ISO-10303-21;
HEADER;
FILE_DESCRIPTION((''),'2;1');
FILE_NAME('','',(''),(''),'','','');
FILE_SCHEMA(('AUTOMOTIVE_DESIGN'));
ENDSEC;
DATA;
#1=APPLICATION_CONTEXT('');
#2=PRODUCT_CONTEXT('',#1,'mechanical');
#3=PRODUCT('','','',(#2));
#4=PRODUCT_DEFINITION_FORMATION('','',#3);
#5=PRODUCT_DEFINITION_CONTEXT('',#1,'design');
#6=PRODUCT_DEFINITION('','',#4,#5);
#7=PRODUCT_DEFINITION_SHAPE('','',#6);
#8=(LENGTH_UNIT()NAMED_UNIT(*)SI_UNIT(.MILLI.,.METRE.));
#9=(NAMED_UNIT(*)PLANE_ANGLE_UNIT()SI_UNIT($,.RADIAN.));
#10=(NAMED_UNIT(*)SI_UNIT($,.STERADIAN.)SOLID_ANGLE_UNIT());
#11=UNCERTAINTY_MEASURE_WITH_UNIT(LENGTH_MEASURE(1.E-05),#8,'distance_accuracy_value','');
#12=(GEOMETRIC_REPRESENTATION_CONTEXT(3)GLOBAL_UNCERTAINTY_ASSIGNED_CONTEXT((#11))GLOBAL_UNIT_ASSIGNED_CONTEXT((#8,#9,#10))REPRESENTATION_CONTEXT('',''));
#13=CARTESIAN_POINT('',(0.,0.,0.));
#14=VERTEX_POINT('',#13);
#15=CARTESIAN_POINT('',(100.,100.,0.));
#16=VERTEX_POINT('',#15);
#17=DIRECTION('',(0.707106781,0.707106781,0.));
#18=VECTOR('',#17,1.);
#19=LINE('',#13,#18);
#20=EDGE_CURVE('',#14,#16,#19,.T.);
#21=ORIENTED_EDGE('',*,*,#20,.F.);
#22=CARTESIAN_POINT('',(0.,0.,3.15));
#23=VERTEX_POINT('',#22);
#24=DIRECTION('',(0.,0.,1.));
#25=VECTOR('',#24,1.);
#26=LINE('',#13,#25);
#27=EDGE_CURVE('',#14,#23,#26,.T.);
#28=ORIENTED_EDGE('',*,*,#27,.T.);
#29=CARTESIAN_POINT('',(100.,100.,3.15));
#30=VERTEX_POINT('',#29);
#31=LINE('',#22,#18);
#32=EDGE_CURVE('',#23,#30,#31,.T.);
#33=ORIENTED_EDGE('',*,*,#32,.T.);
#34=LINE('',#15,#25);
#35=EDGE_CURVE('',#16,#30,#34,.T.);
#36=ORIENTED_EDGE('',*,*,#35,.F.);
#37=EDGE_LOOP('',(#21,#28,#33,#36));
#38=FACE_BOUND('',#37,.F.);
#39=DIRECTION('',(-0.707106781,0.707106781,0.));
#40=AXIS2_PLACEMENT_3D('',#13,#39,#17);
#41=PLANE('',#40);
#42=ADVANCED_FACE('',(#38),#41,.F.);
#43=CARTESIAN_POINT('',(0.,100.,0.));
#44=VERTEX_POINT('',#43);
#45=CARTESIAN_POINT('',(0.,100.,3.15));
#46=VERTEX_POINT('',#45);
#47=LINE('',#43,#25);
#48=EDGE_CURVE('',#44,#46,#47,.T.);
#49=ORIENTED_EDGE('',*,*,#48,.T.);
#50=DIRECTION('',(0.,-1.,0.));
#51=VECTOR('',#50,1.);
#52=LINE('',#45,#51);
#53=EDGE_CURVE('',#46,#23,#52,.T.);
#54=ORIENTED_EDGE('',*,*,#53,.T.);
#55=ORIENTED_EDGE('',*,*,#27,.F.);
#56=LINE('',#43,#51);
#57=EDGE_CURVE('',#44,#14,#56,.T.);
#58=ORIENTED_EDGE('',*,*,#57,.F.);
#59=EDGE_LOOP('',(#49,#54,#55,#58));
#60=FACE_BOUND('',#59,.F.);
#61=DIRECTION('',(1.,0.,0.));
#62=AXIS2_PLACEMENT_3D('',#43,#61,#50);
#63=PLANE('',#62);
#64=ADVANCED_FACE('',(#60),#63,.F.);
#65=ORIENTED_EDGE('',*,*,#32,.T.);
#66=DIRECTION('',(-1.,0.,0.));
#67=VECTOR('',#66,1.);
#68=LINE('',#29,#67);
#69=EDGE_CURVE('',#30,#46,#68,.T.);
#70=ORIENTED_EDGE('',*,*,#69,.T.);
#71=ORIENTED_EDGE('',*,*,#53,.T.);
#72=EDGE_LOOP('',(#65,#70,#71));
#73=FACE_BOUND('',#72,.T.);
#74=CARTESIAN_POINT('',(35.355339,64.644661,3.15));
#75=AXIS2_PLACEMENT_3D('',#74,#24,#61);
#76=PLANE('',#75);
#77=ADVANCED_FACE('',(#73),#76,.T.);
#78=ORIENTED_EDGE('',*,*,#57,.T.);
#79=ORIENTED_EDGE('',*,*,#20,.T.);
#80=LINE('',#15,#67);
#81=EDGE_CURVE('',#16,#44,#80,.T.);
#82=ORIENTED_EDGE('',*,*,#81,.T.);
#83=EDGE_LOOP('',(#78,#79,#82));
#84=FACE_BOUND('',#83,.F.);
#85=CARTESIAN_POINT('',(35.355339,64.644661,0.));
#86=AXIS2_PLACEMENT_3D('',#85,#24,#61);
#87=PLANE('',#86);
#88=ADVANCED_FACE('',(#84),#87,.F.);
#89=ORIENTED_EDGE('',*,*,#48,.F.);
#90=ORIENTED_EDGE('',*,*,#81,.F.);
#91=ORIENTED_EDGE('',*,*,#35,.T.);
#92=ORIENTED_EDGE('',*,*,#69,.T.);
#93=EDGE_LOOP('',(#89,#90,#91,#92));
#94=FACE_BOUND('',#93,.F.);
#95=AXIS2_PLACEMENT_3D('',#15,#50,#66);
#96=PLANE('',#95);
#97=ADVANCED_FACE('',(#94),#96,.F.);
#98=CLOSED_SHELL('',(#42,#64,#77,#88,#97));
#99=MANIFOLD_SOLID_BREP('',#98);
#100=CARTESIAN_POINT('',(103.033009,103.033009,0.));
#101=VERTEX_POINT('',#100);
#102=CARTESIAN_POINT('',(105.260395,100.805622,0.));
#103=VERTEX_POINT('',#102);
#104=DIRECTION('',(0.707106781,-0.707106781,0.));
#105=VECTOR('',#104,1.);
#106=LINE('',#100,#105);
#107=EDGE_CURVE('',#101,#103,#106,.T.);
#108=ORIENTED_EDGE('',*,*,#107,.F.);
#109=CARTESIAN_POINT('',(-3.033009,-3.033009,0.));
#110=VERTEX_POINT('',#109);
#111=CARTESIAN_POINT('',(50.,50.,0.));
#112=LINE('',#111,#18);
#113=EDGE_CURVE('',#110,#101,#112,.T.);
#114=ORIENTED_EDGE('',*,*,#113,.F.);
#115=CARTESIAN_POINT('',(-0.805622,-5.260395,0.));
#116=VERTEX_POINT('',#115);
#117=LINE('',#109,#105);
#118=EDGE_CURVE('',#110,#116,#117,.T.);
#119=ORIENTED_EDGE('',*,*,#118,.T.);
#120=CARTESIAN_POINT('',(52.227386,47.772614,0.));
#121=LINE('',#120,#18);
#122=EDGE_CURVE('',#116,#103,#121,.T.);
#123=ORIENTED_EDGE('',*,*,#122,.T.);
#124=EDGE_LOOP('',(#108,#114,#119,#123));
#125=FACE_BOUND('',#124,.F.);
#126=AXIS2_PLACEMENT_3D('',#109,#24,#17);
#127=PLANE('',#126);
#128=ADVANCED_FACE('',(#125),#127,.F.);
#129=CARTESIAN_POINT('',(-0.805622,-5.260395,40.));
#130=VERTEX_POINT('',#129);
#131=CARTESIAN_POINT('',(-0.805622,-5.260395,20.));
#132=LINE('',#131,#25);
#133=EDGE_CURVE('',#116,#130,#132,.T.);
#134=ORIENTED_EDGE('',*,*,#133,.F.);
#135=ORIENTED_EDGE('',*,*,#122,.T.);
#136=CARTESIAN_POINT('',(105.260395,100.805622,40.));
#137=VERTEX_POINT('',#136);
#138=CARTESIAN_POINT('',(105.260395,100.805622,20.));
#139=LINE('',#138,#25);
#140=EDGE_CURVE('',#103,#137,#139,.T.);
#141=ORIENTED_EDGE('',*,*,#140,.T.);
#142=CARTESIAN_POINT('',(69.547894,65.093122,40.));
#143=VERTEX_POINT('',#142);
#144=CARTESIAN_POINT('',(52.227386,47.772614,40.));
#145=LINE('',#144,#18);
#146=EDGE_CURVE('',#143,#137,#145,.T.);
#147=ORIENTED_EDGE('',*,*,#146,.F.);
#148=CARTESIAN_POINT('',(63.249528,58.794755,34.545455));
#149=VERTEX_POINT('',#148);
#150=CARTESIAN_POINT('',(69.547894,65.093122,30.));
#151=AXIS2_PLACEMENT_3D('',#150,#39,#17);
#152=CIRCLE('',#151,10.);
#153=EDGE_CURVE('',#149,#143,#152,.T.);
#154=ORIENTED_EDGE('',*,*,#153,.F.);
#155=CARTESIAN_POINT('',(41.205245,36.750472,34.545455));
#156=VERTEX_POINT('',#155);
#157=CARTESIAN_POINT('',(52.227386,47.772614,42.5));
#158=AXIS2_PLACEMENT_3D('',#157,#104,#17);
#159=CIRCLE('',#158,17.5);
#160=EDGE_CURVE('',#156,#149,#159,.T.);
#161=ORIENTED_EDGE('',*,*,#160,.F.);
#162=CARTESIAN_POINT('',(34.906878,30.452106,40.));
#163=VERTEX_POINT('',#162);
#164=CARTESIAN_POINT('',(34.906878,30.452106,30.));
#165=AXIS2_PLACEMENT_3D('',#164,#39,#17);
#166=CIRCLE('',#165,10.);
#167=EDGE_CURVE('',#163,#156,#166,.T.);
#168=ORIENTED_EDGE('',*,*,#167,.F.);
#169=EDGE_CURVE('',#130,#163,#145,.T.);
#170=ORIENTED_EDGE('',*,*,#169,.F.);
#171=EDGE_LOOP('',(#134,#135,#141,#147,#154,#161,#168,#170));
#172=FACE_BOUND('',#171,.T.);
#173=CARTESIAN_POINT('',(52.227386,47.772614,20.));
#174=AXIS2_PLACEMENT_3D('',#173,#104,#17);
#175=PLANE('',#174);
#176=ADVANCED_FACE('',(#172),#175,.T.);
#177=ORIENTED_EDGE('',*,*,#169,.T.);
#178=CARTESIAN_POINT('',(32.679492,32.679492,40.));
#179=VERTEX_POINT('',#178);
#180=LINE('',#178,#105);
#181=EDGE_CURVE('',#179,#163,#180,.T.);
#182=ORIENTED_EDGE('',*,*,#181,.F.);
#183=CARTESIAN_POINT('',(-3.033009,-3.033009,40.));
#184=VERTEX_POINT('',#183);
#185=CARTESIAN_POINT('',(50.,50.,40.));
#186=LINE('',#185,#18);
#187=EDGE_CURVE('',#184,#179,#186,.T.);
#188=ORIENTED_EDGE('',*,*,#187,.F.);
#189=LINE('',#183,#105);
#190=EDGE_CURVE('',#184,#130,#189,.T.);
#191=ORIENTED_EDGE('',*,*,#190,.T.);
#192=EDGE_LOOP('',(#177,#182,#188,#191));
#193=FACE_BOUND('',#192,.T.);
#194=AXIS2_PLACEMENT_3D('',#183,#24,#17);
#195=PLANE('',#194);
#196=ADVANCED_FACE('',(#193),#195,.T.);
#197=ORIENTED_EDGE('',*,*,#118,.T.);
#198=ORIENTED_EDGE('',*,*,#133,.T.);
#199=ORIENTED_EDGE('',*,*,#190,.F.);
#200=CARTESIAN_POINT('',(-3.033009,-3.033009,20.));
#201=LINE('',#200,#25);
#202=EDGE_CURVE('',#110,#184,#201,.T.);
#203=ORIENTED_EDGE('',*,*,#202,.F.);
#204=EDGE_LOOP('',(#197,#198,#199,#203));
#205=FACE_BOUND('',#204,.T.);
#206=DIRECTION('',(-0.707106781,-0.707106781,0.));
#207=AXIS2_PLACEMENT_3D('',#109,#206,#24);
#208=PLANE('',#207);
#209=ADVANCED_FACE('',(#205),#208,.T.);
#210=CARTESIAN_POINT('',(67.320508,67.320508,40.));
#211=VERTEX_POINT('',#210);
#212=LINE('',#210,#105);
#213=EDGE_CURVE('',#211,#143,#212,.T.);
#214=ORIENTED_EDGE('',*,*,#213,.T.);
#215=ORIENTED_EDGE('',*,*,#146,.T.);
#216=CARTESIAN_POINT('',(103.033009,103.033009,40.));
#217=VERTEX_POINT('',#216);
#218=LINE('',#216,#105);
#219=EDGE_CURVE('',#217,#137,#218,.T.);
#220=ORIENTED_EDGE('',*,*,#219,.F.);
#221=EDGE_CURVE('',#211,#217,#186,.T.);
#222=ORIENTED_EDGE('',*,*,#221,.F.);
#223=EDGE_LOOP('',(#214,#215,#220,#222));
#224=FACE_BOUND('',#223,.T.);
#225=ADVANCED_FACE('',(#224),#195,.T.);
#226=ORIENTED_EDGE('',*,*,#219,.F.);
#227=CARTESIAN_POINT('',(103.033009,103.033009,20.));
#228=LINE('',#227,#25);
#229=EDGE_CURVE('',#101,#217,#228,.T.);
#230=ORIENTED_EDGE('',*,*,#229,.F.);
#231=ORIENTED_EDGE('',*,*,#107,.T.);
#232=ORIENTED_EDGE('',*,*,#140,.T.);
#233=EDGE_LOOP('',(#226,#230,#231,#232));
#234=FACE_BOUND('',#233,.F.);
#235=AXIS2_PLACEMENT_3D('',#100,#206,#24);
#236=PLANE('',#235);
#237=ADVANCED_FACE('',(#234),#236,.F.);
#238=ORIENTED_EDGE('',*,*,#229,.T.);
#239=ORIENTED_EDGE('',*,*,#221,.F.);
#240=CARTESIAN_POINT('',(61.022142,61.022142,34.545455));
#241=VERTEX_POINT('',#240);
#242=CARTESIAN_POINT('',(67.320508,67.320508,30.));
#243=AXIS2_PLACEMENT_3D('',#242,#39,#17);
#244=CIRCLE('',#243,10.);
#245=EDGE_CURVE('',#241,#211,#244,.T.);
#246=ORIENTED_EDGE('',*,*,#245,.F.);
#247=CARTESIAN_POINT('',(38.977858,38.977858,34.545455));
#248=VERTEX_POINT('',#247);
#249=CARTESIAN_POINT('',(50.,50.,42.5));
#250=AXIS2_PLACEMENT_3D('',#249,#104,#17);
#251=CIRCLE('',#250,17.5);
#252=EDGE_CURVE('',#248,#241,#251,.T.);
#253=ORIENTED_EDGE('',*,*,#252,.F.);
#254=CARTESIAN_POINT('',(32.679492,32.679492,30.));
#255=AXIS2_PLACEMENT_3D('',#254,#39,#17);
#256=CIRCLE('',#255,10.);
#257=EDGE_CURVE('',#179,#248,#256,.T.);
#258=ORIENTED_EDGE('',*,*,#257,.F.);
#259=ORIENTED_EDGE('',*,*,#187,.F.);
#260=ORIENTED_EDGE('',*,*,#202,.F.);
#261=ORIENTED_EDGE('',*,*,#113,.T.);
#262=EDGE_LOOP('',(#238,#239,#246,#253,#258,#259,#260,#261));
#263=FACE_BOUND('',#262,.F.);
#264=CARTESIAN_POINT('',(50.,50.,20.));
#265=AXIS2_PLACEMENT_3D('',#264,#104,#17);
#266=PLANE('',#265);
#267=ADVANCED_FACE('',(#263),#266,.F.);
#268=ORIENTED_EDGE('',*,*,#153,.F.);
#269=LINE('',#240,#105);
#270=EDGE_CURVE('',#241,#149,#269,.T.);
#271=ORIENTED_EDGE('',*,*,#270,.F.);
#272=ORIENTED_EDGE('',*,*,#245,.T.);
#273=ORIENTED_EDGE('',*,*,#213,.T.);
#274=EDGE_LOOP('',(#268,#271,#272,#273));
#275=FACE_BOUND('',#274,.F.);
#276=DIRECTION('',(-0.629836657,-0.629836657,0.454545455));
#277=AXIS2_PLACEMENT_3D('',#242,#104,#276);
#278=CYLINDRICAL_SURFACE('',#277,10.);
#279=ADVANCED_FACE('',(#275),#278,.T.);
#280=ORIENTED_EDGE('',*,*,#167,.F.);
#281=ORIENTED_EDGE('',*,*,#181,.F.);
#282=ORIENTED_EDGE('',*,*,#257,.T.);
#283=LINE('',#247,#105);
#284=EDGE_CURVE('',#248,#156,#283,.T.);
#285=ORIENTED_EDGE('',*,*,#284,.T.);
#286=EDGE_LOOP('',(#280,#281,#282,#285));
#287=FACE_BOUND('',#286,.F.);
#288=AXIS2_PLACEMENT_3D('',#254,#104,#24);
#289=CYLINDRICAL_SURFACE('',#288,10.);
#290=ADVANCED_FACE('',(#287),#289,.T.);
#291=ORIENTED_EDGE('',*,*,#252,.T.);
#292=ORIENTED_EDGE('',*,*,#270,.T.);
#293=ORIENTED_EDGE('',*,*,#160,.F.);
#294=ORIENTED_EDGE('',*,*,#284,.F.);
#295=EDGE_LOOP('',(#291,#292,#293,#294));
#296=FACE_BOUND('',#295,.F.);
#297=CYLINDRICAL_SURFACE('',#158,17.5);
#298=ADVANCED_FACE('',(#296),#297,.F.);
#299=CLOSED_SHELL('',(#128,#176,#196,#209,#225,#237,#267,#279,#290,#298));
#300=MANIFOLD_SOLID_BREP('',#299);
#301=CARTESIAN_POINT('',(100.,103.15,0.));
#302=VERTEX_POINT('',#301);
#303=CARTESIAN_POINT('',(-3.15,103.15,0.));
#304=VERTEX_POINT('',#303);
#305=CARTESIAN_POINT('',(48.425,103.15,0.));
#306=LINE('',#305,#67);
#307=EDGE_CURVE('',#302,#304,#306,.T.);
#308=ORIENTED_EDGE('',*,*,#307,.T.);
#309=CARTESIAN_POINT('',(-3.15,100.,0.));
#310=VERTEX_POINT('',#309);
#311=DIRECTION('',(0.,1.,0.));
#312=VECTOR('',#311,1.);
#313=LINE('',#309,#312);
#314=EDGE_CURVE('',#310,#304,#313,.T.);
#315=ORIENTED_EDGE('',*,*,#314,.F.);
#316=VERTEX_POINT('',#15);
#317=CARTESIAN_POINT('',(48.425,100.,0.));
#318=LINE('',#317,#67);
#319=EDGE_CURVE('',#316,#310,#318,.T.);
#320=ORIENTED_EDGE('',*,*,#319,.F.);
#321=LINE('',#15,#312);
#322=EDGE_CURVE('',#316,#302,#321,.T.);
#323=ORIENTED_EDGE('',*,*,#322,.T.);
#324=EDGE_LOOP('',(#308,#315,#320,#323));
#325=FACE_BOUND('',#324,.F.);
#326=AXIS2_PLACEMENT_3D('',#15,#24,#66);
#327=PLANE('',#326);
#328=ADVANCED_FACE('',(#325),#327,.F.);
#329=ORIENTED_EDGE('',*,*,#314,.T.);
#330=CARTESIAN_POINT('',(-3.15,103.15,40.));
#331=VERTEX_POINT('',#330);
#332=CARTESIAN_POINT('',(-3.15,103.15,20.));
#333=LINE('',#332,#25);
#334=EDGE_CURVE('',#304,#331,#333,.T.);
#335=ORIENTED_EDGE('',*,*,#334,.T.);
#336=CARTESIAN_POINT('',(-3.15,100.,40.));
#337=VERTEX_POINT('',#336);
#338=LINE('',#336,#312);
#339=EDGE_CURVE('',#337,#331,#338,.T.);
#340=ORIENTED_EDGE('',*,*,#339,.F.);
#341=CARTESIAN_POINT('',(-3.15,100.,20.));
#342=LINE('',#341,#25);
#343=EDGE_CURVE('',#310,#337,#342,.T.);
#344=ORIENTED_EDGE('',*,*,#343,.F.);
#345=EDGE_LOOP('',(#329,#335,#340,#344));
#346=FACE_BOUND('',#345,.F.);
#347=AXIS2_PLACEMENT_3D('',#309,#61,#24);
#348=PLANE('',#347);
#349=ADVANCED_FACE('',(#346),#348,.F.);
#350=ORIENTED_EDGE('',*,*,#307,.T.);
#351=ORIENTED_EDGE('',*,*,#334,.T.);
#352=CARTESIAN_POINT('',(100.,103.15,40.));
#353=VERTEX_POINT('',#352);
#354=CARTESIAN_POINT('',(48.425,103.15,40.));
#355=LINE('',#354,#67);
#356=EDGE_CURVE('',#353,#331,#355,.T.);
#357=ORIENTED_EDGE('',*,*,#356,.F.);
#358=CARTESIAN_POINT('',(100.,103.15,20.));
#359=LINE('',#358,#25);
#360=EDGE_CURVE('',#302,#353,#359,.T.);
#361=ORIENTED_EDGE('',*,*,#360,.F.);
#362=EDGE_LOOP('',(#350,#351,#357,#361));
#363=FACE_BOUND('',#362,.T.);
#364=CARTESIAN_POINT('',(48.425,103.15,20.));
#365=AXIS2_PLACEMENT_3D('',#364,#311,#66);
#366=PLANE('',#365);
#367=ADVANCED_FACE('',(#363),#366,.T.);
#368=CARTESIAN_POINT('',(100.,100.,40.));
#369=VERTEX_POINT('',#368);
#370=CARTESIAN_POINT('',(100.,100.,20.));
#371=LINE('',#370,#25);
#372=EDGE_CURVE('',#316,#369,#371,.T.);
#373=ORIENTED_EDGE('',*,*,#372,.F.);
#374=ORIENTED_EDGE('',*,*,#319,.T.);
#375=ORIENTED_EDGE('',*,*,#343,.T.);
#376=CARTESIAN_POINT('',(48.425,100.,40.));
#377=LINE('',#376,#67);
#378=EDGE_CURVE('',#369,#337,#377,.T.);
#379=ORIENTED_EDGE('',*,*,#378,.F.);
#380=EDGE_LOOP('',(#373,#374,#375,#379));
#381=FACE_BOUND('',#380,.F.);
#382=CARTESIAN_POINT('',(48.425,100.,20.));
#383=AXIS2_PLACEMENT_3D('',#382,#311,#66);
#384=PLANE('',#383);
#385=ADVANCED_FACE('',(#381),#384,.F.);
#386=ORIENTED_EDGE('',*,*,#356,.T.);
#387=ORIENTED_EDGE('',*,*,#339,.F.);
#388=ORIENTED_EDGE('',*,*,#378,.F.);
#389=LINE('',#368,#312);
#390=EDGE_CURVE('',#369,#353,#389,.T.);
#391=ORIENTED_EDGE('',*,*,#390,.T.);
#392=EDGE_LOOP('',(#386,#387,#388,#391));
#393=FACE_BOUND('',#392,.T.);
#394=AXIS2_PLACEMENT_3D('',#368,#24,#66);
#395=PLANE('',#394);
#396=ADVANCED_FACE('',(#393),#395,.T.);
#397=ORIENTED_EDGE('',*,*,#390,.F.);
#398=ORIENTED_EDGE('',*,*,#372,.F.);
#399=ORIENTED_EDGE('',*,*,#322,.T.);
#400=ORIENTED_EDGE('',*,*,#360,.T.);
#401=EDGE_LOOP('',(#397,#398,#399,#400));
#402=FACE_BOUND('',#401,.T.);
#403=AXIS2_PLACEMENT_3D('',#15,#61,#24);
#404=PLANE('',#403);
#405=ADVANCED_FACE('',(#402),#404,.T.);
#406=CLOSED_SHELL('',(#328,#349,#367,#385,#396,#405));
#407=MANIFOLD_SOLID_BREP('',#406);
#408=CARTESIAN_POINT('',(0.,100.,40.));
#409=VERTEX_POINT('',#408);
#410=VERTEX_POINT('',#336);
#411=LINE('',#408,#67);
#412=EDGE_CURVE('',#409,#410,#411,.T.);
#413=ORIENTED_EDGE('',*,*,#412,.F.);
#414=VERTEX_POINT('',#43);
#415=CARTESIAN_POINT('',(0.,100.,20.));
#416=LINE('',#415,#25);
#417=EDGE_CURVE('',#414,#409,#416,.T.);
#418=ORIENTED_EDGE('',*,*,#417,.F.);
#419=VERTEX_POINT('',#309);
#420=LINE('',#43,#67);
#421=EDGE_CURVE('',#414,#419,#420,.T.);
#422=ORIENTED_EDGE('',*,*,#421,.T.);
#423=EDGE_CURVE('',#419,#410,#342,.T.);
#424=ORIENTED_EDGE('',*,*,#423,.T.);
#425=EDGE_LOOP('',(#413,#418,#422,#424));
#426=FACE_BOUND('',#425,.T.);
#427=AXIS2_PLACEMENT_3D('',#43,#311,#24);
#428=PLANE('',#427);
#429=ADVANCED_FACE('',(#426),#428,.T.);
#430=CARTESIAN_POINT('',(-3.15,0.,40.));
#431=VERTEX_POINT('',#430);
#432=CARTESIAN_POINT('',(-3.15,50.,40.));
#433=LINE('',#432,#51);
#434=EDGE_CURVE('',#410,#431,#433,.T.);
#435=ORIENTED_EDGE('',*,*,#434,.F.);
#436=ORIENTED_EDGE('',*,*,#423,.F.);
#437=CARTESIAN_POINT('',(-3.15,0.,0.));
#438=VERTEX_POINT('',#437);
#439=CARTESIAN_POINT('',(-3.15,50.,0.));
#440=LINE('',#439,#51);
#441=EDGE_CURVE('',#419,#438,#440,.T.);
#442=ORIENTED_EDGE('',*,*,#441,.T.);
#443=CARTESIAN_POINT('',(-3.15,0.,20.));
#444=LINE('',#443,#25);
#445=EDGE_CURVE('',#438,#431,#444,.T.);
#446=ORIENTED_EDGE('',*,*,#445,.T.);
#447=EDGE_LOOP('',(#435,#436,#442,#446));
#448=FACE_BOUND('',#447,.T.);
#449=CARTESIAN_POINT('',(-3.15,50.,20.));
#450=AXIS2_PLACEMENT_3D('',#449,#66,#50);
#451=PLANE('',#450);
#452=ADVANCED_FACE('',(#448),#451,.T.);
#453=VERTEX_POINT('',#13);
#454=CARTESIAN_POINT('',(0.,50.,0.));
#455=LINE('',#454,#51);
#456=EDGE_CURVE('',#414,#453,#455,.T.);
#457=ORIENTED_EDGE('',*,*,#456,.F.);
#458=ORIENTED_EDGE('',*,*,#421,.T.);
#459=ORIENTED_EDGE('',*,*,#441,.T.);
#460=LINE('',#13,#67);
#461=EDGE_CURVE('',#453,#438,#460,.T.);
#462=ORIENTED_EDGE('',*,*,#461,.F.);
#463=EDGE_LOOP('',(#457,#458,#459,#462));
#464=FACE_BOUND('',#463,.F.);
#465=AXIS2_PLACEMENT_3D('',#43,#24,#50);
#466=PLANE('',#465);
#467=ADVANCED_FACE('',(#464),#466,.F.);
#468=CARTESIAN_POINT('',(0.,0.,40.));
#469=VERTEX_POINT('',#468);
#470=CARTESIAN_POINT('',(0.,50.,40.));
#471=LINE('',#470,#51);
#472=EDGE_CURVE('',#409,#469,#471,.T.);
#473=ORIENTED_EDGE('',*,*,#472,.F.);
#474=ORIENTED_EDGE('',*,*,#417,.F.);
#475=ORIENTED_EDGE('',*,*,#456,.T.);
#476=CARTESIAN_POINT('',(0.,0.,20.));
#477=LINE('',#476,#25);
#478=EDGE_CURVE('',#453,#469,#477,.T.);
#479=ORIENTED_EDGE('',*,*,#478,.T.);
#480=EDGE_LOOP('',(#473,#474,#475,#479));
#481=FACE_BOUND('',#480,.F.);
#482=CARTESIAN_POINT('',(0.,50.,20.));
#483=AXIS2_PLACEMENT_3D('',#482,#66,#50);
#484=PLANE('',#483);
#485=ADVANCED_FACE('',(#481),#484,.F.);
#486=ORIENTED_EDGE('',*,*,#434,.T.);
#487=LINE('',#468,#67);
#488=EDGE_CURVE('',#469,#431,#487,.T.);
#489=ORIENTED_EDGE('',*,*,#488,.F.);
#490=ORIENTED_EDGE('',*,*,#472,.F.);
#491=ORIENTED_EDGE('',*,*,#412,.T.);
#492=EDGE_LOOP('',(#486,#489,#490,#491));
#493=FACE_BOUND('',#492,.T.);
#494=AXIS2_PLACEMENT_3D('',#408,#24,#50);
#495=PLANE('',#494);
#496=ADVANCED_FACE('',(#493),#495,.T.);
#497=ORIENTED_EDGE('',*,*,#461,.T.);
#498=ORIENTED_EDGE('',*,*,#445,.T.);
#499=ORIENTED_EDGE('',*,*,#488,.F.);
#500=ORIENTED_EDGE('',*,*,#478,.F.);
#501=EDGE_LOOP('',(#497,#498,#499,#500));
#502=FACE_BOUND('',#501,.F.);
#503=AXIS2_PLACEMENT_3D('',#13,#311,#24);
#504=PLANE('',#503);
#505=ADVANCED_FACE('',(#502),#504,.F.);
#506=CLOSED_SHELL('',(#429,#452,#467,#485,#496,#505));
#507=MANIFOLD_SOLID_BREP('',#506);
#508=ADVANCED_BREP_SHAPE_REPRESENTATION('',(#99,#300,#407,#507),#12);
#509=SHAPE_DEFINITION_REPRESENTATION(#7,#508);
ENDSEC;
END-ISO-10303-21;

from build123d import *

# Parameters (mm, degrees)
F2_DEPTH  = 3.15
F3_W      = 100
F3_H      = 40
F4_DEPTH  = 3.15
F5_W      = 103.15
F5_H      = 40
F6_DEPTH  = 3.15
F7_W      = 150
F7_H      = 40
F8_DEPTH  = 3.15
F9_R      = 17.5
F10_DEPTH = 25
F11_R     = 10


with BuildPart() as f2:
    # F1 (on Top) → F2 (new body)
    with BuildSketch(Plane.XY):
        Polygon((0, 100), (0, 0), (100, 100), align=None)
    extrude(amount=F2_DEPTH)


with BuildPart() as f4:
    # F3 (on face) → F4 (new body)
    with BuildSketch(Plane(origin=(0, 0, 0), x_dir=(0, -1, 0), z_dir=(-1, 0, 0))):
        with Locations((-50, 20)):
            Rectangle(F3_W, F3_H)
    extrude(amount=F4_DEPTH)


with BuildPart() as f6:
    # F5 (on face) → F6 (new body)
    with BuildSketch(Plane(origin=(0, 100, 0), x_dir=(-1, 0, 0), z_dir=(0, 1, 0))):
        with Locations((-48.425, 20)):
            Rectangle(F5_W, F5_H)
    extrude(amount=F6_DEPTH)


with BuildPart() as f8:
    # F7 (on face) → F8 (new body)
    with BuildSketch(Plane(origin=(0, 0, 0), x_dir=(0.7071067812, 0.7071067812, 0), z_dir=(0.7071067812, -0.7071067812, 0))):
        with Locations((70.7106781187, 20)):
            Rectangle(F7_W, F7_H)
    extrude(amount=F8_DEPTH)

    # F9 (on face) → F10 (cut)
    with BuildSketch(Plane(origin=(2.2273863607, -2.2273863607, 0), x_dir=(0.7071067812, 0.7071067812, 0), z_dir=(0.7071067812, -0.7071067812, 0))):
        with Locations((70.7106781187, 42.5)):
            Circle(F9_R)
    extrude(amount=-F10_DEPTH, mode=Mode.SUBTRACT)

    # F11
    f11_edges = [f8.edges().sort_by_distance(p)[0] for p in [
        (63.361142, 61.133756, 40),
        (38.866244, 36.638858, 40),
    ]]
    fillet(f11_edges, radius=F11_R)


solid = Compound([f2.part, f4.part, f6.part, f8.part])
